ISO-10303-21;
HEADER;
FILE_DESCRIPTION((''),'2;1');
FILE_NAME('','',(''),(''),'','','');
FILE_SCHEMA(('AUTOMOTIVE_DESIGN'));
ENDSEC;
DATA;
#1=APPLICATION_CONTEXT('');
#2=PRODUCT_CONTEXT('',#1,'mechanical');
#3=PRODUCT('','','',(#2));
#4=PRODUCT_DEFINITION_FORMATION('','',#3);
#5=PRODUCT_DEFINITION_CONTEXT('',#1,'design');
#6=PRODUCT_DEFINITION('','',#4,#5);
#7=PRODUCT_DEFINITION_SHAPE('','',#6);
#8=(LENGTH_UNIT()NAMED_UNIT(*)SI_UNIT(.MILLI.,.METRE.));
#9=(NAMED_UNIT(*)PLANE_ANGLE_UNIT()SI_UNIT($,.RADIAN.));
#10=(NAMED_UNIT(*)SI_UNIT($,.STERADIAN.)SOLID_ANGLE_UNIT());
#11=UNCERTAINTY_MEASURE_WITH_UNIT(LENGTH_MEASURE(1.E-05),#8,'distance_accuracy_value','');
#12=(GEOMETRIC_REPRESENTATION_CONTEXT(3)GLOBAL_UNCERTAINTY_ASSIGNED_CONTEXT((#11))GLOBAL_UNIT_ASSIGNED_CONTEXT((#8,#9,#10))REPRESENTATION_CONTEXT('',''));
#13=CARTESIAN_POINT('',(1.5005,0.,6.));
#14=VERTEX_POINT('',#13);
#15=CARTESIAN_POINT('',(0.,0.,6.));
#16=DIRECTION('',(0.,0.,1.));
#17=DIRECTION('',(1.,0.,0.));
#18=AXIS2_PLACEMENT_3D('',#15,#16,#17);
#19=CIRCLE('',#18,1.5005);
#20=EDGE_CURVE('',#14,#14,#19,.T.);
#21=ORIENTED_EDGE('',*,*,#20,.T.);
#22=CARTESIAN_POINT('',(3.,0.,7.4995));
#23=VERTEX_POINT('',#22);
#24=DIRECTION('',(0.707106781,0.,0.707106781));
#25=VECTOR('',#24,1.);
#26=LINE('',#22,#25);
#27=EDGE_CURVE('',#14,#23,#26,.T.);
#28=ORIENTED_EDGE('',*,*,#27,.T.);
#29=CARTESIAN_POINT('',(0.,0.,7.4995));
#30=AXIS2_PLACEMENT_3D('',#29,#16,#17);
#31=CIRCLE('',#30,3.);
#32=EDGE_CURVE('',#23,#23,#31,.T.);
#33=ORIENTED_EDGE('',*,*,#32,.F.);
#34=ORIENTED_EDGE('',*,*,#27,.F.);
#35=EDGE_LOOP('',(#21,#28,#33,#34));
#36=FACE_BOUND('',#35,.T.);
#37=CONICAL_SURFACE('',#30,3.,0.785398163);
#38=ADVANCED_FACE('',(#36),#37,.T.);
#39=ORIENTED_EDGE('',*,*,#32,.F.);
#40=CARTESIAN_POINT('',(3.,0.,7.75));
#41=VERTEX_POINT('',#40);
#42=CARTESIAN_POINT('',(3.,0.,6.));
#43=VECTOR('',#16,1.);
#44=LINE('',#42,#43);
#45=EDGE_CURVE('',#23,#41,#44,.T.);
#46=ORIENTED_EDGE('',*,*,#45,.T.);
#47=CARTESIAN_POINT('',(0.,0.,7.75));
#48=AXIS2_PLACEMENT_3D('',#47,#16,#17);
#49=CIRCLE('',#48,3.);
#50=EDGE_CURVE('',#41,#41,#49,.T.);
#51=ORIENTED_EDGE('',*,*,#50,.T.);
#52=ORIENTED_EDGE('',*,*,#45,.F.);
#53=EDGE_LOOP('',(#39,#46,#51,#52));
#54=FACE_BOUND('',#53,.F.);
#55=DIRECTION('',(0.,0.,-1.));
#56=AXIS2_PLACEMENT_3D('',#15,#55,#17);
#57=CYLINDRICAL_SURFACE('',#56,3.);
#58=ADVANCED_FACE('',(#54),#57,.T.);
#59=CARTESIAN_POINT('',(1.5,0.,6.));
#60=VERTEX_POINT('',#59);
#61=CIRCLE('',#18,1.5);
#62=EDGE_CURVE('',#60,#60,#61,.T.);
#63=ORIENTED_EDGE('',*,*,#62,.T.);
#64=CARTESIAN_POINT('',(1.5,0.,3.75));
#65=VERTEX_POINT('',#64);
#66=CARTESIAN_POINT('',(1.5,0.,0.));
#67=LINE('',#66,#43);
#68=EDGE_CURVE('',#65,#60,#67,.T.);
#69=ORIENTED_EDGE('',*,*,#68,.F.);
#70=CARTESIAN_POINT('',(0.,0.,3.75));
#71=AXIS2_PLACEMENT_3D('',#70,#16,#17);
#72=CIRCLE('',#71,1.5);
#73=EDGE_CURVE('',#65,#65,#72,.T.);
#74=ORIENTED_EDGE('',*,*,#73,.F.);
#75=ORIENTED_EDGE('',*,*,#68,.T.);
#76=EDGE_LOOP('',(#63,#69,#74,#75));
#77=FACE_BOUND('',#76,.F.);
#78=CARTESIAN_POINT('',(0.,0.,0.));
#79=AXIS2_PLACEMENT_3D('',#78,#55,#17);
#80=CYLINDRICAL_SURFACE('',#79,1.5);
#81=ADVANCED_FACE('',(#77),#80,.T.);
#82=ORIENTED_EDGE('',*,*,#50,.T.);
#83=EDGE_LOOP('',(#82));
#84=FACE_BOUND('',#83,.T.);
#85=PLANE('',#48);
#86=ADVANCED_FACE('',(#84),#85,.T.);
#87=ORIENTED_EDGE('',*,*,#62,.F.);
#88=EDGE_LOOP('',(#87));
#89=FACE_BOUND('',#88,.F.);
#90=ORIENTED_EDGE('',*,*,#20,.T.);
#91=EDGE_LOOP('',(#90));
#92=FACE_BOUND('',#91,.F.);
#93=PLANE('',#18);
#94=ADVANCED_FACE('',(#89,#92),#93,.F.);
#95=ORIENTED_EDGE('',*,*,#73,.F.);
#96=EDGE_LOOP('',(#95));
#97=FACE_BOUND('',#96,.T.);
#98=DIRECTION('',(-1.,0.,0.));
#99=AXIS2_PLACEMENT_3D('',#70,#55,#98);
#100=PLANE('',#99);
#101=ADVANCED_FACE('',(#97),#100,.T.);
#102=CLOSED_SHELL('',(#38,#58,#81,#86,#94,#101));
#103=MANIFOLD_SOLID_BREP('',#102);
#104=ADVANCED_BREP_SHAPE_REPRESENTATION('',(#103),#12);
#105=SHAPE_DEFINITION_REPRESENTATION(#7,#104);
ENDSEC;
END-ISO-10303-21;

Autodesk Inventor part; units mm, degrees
ref_plane "YZ Plane" through (0, 0, 0) normal (1, 0, 0) x (0, 1, 0)
ref_plane "XZ Plane" through (0, 0, 0) normal (0, 1, 0) x (-1, 0, 0)
ref_plane "XY Plane" through (0, 0, 0) normal (0, 0, 1) x (1, 0, 0)
sketch "スケッチ1" plane through (0, 0, 0) normal (0, 0, 1) x (1, 0, 0)
  circle A0 centre (0, 0) radius 1.5
  dimension "d0" = 3
extrude "押し出し1" add sketch "スケッチ1" along normal blind 6
sketch "スケッチ2" plane through (0, 0, 6) normal (0, 0, 1) x (1, 0, 0)
  circle A0 centre (0, 0) radius 1.5 projected
  circle A1 centre (0, 0) radius 3
  dimension "d3" = 6
extrude "押し出し2" add sketch "スケッチ2" along normal blind 1.75 contours A0 | A1
thread "ねじ1" size "M3x0.5" class "6g" standard "ANSI Metric M Profile" full length
chamfer "面取り1" distance 1.5 angle 45 1 edges at (-3, 0, 6)
sketch "スケッチ4" plane through (0, 0, 0) normal (0, 0, -1) x (-1, 0, 0)
  circle A0 centre (0, 0) radius 1.5 projected
extrude "押し出し4" cut sketch "スケッチ4" against normal blind 2
sketch "スケッチ5" plane through (0, 0, 2) normal (0, 0, -1) x (-1, 0, 0)
  circle A0 centre (0, 0) radius 1.5 projected
extrude "押し出し5" cut sketch "スケッチ5" against normal blind 1.75
properties part number "SB　4mm皿ネジ(高い)" material "Steel, Mild"
